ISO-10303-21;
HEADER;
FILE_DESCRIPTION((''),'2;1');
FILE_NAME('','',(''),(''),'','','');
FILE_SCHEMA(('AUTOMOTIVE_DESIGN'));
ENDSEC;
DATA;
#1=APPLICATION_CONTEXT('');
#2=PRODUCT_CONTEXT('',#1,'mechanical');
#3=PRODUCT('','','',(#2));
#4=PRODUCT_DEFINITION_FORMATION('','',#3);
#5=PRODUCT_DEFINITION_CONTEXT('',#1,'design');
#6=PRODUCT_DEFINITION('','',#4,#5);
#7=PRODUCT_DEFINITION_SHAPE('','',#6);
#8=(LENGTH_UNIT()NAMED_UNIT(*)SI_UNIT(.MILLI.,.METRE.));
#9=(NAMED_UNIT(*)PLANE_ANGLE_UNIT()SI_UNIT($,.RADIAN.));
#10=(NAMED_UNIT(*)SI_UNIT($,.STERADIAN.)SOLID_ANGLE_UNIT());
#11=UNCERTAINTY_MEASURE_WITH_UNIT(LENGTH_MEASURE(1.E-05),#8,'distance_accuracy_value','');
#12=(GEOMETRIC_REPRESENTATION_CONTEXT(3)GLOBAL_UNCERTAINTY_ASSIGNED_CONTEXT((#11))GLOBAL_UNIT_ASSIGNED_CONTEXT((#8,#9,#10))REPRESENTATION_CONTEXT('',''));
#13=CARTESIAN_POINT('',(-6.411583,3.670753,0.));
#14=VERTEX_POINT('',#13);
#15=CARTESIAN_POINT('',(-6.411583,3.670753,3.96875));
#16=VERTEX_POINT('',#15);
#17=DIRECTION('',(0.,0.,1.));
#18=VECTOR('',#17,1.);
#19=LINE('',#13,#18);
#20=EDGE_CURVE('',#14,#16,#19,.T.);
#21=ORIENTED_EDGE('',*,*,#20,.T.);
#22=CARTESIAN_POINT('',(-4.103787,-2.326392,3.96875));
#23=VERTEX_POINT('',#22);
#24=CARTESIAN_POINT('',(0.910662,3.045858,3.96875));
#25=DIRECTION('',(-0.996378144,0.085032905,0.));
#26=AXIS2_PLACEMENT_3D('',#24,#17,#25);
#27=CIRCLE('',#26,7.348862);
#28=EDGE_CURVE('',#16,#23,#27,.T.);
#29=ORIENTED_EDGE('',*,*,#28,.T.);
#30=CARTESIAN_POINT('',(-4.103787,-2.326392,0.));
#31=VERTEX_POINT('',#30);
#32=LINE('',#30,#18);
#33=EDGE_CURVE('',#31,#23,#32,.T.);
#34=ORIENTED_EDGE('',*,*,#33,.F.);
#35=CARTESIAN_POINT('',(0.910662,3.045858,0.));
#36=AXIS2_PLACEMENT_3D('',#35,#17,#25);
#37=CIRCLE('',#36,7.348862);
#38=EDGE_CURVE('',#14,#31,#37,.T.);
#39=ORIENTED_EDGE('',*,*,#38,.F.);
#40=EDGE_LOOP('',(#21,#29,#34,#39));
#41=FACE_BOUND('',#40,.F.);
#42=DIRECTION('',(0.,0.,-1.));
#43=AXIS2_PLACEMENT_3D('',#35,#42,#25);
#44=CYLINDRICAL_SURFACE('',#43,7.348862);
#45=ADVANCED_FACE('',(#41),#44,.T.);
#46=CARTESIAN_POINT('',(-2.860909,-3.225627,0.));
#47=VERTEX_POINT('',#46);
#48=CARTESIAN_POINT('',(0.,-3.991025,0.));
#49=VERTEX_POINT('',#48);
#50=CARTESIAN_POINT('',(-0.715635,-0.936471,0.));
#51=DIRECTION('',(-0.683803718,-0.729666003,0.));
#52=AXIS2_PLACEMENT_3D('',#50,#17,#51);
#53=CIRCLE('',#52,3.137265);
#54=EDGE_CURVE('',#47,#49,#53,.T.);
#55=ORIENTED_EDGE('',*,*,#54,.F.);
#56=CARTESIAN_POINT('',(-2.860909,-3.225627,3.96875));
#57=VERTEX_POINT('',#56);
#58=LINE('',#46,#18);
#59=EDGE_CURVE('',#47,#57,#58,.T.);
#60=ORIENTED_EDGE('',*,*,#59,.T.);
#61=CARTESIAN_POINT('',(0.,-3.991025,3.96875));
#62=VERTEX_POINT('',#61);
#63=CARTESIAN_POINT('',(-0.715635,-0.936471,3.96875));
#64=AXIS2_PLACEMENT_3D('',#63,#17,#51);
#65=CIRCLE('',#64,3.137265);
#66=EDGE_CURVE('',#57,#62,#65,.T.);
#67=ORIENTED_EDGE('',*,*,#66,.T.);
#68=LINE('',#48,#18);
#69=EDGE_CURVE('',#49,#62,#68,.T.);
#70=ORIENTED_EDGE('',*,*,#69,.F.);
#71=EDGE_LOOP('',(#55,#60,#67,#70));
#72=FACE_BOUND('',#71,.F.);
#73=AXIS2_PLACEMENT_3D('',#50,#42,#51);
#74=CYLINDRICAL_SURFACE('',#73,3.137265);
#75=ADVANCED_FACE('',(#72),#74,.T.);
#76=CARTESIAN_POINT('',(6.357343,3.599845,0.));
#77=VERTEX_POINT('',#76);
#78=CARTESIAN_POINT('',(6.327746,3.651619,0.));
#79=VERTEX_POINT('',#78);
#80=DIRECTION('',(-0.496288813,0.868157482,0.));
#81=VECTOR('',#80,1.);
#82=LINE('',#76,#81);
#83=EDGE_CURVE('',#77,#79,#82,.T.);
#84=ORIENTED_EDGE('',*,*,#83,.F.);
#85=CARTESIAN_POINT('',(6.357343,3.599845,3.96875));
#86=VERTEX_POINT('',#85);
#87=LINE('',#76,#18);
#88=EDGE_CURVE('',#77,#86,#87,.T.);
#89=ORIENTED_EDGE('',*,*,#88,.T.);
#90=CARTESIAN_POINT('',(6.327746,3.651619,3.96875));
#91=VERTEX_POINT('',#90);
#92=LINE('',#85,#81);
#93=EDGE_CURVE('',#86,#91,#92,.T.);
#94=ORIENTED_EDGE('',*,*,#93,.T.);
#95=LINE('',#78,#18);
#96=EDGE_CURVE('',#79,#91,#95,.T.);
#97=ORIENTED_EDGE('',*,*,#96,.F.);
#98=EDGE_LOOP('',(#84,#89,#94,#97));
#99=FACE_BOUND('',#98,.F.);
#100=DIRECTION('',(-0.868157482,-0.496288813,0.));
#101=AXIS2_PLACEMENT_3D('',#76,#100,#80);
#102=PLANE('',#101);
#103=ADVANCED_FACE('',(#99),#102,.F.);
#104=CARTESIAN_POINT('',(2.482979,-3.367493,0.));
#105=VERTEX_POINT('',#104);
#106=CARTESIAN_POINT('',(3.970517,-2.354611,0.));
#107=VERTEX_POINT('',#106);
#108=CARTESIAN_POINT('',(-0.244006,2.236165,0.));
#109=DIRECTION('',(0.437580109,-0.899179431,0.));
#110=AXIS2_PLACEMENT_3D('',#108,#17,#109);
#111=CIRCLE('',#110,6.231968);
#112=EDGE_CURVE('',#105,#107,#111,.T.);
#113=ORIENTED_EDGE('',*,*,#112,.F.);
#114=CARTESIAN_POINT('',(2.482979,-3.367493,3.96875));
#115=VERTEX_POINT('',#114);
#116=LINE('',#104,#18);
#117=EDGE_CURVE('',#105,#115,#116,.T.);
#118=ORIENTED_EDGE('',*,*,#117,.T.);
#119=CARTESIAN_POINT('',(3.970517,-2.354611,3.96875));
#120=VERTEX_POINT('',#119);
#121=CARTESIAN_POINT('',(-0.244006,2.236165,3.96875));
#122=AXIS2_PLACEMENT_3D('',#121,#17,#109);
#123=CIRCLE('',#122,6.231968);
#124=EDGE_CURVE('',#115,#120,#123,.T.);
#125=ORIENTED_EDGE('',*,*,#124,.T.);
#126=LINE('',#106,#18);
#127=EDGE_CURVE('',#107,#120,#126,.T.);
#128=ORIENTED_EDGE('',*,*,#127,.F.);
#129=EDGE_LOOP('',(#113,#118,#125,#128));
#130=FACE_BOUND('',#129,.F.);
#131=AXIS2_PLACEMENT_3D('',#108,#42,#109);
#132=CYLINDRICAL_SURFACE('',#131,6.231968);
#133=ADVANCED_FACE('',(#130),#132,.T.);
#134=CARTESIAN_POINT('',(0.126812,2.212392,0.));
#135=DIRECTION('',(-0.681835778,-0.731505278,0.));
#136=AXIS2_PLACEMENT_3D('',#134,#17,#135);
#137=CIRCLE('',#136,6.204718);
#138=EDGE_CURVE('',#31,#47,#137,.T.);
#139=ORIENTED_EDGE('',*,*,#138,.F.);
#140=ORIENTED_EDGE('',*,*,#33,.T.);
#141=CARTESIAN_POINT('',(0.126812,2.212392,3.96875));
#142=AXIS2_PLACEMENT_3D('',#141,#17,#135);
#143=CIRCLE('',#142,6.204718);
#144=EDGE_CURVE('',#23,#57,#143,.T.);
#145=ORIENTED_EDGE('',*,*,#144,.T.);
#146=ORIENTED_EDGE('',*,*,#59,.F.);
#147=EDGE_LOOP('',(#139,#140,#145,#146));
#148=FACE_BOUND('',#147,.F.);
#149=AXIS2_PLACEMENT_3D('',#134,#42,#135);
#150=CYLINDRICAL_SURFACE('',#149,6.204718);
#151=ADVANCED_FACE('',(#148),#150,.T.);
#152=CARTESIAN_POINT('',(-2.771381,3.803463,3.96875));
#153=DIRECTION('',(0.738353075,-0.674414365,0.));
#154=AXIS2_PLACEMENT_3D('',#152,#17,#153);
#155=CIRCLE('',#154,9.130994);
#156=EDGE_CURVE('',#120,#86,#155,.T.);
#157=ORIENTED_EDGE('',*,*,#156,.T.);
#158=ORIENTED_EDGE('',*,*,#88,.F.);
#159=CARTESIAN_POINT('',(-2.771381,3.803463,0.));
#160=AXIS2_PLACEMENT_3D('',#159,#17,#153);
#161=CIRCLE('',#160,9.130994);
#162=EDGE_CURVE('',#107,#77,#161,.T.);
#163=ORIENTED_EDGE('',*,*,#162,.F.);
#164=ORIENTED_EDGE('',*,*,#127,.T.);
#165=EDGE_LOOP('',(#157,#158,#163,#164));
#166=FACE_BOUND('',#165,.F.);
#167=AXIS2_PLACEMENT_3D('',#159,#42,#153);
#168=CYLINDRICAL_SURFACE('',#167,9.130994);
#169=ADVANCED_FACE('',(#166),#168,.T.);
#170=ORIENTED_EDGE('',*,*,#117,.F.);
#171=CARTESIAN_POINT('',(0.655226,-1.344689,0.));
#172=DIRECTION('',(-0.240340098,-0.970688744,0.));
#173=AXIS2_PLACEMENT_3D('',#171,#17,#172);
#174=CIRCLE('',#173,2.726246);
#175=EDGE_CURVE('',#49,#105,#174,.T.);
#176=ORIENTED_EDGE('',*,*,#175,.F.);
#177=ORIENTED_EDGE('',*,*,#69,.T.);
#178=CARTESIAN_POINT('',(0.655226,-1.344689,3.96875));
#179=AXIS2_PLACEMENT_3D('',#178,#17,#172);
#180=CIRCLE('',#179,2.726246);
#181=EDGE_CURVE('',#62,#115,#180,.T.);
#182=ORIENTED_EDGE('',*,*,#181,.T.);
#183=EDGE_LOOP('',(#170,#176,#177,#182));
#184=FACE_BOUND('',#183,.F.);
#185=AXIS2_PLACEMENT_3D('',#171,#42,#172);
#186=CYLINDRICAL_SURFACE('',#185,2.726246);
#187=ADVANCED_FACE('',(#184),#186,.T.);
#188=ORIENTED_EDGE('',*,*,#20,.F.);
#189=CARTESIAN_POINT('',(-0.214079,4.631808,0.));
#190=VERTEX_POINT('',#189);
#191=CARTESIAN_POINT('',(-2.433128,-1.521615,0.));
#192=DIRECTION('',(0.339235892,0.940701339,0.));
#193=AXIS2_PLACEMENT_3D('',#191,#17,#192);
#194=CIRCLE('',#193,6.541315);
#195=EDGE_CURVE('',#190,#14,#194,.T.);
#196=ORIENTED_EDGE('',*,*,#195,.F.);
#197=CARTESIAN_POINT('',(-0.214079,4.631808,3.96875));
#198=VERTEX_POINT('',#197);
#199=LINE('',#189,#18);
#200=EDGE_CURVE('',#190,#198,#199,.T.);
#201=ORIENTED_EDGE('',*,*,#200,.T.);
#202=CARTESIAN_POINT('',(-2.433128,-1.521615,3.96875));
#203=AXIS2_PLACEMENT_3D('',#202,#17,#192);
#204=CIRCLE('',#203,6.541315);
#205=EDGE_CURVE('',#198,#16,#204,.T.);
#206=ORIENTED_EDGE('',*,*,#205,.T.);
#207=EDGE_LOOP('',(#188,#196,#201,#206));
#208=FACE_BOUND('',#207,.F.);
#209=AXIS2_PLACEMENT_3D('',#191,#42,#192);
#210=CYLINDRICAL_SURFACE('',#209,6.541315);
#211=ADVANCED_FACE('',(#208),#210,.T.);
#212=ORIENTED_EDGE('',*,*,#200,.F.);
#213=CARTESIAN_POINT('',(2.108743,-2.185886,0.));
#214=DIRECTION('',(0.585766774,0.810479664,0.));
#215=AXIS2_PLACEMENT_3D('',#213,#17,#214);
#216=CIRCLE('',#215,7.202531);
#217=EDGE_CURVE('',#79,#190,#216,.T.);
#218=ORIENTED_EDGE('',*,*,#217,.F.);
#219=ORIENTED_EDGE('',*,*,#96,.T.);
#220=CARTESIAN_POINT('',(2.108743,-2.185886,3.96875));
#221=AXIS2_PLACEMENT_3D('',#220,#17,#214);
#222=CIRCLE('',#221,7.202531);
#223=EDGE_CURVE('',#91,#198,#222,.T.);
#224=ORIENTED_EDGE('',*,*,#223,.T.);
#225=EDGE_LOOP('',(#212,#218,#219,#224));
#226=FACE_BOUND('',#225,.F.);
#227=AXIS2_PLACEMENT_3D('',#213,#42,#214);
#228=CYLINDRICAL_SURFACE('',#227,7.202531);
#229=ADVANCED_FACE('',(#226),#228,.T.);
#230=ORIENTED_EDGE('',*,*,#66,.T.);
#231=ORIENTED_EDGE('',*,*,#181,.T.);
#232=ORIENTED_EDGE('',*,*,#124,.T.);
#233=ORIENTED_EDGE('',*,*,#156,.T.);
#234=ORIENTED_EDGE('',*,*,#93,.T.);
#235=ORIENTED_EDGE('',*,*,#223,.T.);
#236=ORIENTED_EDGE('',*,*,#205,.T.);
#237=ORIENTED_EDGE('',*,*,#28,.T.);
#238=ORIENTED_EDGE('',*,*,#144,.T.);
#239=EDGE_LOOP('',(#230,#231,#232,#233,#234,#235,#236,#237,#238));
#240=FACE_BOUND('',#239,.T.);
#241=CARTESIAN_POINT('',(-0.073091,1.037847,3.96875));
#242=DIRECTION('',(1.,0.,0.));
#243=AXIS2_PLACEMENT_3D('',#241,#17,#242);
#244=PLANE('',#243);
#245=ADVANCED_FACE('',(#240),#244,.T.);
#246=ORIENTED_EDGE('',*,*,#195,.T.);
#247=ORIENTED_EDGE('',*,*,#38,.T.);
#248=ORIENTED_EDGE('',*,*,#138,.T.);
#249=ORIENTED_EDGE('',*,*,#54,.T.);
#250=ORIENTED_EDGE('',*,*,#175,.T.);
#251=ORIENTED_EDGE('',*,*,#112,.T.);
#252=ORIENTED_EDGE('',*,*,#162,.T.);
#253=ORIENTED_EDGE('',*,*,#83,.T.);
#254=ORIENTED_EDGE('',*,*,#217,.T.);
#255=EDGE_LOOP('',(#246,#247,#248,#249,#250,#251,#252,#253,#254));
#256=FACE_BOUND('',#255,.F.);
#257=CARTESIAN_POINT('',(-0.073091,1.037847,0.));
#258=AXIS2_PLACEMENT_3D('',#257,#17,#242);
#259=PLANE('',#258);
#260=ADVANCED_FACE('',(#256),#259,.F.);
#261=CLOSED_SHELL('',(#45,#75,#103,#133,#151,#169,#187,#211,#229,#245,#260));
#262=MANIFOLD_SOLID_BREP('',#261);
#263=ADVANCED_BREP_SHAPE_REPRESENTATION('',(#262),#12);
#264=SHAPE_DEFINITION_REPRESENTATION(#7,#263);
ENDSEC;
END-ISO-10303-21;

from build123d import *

# Parameters (mm, degrees)
F1_DEPTH = 3.96875


with BuildPart() as f1:
    # F0 (on Top) → F1 (new body)
    with BuildSketch(Plane.XY):
        with BuildLine():
            Line((6.357343, 3.599845), (6.327746, 3.651619))
            ThreePointArc((6.327746, 3.651619), (3.176014, 4.937132), (-0.214079, 4.631808))
            ThreePointArc((-0.214079, 4.631808), (-3.435517, 4.94244), (-6.411583, 3.670753))
            ThreePointArc((-6.411583, 3.670753), (-5.947905, 0.406573), (-4.103787, -2.326392))
            ThreePointArc((-4.103787, -2.326392), (-3.510246, -2.814569), (-2.860909, -3.225627))
            ThreePointArc((-2.860909, -3.225627), (-1.526453, -3.967149), (0, -3.991025))
            ThreePointArc((0, -3.991025), (1.319231, -3.988836), (2.482979, -3.367493))
            ThreePointArc((2.482979, -3.367493), (3.263503, -2.91503), (3.970517, -2.354611))
            ThreePointArc((3.970517, -2.354611), (5.704057, 0.406109), (6.357343, 3.599845))
        make_face()
    extrude(amount=F1_DEPTH)


solid = f1.part
